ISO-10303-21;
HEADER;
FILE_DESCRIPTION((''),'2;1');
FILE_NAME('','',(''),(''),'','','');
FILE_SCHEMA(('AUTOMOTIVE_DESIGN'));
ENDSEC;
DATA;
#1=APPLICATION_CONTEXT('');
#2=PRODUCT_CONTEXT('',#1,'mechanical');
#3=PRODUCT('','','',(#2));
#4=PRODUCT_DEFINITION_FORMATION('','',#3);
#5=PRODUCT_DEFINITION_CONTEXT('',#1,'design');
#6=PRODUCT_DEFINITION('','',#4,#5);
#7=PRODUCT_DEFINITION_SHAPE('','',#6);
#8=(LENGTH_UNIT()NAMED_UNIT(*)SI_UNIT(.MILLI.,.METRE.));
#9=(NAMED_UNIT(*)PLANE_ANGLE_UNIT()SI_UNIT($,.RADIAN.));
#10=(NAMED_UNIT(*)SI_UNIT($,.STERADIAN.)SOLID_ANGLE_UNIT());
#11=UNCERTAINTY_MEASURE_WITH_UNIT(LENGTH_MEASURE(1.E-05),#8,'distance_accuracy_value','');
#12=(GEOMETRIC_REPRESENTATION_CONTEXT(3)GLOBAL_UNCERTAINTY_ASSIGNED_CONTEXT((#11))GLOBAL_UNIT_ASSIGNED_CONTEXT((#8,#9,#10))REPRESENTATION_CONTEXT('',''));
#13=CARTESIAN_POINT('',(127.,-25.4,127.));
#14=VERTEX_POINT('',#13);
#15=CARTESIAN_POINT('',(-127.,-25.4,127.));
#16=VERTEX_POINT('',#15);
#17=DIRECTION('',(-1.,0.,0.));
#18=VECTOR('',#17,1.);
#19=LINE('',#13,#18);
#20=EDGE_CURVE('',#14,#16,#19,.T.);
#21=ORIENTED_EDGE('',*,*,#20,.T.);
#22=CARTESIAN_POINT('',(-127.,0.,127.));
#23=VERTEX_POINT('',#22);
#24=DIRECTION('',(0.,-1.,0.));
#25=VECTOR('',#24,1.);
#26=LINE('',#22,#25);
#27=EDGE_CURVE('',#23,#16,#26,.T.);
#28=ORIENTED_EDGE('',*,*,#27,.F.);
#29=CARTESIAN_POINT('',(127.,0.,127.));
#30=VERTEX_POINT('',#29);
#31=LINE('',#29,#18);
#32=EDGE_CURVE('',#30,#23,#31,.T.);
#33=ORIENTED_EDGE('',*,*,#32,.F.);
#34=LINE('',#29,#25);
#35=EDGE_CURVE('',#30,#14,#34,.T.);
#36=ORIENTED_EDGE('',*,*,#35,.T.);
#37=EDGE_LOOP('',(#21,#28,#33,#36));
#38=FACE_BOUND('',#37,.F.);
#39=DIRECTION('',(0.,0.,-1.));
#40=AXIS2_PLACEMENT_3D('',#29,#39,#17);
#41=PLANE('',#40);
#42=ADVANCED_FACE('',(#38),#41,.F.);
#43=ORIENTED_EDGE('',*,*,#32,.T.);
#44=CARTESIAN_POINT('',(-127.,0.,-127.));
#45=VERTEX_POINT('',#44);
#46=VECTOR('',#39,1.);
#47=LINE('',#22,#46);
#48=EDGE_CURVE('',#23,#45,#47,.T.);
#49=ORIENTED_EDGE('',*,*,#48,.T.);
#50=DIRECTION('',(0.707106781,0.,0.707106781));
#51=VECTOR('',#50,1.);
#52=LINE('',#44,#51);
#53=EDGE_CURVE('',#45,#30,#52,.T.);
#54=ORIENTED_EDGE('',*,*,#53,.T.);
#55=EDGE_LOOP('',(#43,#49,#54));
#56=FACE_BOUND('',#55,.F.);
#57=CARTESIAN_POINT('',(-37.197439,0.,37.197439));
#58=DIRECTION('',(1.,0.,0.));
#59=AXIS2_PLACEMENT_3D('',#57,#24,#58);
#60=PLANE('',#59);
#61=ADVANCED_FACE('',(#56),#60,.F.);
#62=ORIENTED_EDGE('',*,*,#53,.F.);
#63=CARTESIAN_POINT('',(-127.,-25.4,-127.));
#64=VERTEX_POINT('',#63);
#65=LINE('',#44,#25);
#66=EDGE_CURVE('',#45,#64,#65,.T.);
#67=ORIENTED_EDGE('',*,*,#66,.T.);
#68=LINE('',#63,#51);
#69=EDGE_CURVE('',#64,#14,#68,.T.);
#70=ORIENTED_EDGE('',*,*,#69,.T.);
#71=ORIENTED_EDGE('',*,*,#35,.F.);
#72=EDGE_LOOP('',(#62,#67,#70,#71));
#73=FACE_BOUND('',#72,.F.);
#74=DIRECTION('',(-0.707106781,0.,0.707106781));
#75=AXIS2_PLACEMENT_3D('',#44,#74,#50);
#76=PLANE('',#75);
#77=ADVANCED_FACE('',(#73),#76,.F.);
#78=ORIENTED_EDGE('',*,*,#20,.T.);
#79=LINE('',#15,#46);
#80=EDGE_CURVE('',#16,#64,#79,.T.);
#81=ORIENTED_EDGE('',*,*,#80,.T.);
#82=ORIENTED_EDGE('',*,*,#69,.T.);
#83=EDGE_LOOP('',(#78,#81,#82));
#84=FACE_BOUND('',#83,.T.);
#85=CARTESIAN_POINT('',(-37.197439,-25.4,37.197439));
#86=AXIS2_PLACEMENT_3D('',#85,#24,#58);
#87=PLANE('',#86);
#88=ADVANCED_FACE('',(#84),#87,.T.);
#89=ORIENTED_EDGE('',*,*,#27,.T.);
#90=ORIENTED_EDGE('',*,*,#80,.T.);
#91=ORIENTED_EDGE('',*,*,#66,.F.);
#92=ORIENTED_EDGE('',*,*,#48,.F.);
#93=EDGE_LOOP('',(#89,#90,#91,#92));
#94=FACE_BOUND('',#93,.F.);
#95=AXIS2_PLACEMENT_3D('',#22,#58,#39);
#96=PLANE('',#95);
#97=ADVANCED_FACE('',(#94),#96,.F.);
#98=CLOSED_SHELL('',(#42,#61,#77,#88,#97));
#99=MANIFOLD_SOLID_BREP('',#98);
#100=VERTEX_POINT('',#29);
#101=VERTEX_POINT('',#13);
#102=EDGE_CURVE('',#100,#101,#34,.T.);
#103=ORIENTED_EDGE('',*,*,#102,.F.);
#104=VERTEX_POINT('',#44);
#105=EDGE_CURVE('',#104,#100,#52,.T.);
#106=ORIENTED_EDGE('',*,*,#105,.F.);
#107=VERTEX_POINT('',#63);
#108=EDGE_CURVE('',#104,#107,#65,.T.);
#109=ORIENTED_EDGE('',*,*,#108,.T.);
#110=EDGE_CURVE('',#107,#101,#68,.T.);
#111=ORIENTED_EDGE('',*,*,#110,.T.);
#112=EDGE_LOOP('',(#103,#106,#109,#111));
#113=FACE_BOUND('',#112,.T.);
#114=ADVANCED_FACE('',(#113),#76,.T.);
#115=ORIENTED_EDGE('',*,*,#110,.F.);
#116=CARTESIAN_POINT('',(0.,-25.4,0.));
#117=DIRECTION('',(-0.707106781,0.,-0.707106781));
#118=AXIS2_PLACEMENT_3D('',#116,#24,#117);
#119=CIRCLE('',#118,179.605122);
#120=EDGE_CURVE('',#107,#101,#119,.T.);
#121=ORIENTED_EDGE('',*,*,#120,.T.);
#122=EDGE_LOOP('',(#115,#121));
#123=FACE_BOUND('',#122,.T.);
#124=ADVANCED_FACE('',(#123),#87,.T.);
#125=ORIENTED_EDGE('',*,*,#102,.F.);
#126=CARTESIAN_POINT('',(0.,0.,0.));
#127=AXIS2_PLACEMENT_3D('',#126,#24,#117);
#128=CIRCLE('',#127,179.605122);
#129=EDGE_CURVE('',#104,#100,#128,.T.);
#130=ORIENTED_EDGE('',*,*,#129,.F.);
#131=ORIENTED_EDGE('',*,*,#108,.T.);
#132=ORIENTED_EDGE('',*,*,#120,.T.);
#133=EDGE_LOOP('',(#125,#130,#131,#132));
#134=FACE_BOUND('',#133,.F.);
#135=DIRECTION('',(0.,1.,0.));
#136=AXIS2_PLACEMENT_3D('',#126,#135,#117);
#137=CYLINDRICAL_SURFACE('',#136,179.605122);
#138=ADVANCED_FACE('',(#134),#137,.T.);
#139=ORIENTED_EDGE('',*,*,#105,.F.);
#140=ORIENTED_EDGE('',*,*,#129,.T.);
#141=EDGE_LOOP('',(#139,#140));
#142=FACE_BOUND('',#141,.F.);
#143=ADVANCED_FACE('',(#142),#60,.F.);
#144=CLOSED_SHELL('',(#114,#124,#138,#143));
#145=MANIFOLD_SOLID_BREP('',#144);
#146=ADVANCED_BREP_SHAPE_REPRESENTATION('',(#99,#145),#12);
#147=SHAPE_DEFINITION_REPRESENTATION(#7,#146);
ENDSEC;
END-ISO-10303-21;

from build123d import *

# Parameters (mm, degrees)
F1_DEPTH = 25.4
F2_DEPTH = 25.4


with BuildPart() as f1:
    # F0 (on Front) → F1 (new body)
    with BuildSketch(Plane.XZ):
        Polygon((127, 127), (-127, 127), (-127, -127), align=None)
    extrude(amount=F1_DEPTH)


with BuildPart() as f2:
    # F0 (on Front) → F2 (new body)
    with BuildSketch(Plane.XZ):
        Polygon((127, 127), (-127, 127), (-127, -127), align=None)
        with BuildLine():
            ThreePointArc((-127, -127), (127, -127), (127, 127))
            Line((127, 127), (-127, -127))
        make_face()
    extrude(amount=F2_DEPTH)

    # F3: cut F1
    add(f1.part, mode=Mode.SUBTRACT)


solid = Compound([f1.part, f2.part])
